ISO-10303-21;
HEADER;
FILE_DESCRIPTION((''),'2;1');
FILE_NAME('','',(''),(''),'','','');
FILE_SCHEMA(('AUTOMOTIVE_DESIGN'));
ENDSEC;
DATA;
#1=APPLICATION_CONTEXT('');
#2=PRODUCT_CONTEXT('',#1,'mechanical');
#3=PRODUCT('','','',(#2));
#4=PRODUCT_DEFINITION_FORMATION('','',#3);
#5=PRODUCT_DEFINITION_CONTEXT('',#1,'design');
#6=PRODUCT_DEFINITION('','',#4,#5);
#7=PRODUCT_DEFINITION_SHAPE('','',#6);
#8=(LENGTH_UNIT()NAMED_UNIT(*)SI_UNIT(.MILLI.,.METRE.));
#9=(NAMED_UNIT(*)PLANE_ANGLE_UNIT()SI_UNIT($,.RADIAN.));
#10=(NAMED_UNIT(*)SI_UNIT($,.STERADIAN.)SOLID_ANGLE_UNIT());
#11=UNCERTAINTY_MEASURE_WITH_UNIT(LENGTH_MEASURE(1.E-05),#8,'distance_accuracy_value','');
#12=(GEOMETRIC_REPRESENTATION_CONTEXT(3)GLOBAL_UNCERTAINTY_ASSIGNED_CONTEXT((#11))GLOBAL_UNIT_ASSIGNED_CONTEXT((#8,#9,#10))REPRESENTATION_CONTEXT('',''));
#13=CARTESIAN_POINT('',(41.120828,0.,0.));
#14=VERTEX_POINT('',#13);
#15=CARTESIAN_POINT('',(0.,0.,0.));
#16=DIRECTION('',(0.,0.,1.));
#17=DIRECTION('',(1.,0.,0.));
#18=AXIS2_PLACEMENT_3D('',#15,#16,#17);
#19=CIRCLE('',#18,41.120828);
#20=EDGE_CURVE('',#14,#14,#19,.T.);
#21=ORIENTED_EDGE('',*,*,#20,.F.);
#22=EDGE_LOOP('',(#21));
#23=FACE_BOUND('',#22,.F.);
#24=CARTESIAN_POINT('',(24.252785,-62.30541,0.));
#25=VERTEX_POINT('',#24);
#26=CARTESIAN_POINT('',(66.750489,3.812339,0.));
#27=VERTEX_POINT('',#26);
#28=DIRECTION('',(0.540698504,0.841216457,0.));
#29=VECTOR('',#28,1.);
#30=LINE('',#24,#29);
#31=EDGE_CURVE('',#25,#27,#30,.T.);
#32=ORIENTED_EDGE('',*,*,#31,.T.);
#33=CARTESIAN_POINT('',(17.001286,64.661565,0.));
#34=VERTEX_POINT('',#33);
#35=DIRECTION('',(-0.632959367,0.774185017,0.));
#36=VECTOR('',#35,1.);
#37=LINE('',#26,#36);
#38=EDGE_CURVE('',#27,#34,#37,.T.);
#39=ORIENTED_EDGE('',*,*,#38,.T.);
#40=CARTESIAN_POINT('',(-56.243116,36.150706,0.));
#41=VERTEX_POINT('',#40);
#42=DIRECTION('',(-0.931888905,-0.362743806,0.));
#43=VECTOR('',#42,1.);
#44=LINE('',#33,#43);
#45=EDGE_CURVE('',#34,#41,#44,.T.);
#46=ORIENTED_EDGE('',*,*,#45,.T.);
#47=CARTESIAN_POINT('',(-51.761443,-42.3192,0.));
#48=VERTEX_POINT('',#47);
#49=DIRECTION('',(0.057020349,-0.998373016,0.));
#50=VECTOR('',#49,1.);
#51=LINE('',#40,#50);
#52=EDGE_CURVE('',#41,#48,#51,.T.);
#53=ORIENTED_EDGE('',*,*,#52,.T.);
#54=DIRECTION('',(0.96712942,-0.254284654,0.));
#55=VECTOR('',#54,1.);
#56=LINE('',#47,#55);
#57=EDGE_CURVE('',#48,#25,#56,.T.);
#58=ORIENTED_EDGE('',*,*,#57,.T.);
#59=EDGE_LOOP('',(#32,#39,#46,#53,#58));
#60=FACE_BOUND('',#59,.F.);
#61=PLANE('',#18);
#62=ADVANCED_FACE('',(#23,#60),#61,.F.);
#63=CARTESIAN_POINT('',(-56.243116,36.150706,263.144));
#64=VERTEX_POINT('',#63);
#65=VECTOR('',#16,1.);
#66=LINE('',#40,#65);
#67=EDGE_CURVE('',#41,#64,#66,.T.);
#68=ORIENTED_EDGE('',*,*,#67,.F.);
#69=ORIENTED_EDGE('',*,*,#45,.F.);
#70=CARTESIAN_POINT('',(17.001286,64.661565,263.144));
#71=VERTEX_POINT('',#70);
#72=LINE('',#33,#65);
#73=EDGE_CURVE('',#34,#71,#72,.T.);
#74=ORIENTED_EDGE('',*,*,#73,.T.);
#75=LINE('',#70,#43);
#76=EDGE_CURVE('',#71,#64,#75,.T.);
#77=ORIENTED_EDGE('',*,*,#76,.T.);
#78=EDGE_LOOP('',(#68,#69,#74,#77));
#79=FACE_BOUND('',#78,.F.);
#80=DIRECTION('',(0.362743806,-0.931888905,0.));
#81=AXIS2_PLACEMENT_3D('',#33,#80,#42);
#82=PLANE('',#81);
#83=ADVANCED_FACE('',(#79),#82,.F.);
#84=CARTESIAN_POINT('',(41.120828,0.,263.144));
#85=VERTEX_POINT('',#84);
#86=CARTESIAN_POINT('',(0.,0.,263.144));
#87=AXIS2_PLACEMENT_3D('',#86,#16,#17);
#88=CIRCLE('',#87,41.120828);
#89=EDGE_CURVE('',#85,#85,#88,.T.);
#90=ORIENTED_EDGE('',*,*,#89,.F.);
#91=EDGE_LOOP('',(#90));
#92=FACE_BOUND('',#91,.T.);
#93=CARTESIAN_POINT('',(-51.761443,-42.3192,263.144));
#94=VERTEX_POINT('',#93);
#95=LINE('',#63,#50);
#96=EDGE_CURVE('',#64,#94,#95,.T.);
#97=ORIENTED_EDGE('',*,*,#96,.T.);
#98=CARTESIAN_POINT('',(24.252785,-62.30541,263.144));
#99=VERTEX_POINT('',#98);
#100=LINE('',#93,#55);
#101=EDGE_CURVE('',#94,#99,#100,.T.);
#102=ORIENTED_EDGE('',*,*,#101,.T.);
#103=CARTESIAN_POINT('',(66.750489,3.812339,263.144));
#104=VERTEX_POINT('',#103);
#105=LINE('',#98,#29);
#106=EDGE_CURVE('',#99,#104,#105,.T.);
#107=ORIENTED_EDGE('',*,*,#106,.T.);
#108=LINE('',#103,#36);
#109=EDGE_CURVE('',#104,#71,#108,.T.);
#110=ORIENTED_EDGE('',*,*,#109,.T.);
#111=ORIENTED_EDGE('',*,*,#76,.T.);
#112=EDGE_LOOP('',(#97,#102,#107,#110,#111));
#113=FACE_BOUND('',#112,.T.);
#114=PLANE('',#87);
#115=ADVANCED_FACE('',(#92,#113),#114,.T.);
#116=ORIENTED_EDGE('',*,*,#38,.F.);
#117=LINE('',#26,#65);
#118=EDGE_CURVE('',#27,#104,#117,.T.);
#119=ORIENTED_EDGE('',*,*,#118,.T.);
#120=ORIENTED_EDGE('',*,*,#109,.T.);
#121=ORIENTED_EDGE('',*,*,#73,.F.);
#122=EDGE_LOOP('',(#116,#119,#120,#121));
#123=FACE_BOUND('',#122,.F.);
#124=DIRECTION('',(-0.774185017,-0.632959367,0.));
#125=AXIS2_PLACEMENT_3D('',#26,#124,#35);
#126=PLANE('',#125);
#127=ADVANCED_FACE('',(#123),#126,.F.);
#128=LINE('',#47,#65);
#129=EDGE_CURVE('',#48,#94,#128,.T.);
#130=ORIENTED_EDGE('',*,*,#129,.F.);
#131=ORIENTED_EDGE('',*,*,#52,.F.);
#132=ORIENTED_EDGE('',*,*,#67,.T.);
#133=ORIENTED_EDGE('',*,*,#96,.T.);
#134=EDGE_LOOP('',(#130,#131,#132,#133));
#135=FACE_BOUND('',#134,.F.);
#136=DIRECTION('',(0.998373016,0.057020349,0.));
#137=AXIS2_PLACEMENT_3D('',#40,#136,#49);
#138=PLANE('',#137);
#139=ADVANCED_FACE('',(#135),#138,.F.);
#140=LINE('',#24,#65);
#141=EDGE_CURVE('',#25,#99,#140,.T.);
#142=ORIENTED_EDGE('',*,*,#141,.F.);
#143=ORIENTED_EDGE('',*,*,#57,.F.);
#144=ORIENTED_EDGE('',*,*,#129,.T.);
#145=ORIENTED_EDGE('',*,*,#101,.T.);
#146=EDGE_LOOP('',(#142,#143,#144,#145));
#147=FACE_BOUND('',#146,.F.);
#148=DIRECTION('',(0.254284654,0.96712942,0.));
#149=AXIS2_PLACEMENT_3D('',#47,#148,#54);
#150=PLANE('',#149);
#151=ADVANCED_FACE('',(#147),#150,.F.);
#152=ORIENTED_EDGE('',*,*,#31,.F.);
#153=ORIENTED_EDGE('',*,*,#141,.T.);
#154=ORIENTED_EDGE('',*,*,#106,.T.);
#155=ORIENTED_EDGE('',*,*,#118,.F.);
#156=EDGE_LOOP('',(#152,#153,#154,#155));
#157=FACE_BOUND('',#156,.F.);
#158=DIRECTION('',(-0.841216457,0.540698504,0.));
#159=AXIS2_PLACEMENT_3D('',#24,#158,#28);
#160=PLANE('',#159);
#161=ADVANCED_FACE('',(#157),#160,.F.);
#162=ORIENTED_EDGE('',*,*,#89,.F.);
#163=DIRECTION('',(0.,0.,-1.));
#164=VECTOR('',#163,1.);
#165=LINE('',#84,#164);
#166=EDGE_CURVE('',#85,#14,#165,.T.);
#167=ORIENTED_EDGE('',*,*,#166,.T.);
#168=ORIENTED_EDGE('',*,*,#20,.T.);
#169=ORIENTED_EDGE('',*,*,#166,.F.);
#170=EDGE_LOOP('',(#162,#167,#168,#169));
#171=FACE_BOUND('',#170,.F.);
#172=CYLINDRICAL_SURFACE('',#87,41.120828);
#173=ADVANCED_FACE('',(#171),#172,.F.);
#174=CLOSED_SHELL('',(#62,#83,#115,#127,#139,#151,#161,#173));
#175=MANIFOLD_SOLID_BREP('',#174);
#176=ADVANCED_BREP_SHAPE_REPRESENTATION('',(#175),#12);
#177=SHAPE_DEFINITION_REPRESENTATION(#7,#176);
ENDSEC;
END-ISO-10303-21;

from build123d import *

# Parameters (mm, degrees)
F1_DEPTH = 263.144
F2_R     = 41.120828
F3_DEPTH = 274.574


with BuildPart() as f1:
    # F0 (on Top) → F1 (new body)
    with BuildSketch(Plane.XY):
        Polygon((24.252785, -62.30541), (66.750489, 3.812339), (17.001286, 64.661565), (-56.243116, 36.150706), (-51.761443, -42.3192), align=None)
    extrude(amount=F1_DEPTH)

    # F2 (on face) → F3 (cut)
    with BuildSketch(Plane.XY.offset(263.144)):
        Circle(F2_R)
    extrude(amount=-F3_DEPTH, mode=Mode.SUBTRACT)


solid = f1.part
